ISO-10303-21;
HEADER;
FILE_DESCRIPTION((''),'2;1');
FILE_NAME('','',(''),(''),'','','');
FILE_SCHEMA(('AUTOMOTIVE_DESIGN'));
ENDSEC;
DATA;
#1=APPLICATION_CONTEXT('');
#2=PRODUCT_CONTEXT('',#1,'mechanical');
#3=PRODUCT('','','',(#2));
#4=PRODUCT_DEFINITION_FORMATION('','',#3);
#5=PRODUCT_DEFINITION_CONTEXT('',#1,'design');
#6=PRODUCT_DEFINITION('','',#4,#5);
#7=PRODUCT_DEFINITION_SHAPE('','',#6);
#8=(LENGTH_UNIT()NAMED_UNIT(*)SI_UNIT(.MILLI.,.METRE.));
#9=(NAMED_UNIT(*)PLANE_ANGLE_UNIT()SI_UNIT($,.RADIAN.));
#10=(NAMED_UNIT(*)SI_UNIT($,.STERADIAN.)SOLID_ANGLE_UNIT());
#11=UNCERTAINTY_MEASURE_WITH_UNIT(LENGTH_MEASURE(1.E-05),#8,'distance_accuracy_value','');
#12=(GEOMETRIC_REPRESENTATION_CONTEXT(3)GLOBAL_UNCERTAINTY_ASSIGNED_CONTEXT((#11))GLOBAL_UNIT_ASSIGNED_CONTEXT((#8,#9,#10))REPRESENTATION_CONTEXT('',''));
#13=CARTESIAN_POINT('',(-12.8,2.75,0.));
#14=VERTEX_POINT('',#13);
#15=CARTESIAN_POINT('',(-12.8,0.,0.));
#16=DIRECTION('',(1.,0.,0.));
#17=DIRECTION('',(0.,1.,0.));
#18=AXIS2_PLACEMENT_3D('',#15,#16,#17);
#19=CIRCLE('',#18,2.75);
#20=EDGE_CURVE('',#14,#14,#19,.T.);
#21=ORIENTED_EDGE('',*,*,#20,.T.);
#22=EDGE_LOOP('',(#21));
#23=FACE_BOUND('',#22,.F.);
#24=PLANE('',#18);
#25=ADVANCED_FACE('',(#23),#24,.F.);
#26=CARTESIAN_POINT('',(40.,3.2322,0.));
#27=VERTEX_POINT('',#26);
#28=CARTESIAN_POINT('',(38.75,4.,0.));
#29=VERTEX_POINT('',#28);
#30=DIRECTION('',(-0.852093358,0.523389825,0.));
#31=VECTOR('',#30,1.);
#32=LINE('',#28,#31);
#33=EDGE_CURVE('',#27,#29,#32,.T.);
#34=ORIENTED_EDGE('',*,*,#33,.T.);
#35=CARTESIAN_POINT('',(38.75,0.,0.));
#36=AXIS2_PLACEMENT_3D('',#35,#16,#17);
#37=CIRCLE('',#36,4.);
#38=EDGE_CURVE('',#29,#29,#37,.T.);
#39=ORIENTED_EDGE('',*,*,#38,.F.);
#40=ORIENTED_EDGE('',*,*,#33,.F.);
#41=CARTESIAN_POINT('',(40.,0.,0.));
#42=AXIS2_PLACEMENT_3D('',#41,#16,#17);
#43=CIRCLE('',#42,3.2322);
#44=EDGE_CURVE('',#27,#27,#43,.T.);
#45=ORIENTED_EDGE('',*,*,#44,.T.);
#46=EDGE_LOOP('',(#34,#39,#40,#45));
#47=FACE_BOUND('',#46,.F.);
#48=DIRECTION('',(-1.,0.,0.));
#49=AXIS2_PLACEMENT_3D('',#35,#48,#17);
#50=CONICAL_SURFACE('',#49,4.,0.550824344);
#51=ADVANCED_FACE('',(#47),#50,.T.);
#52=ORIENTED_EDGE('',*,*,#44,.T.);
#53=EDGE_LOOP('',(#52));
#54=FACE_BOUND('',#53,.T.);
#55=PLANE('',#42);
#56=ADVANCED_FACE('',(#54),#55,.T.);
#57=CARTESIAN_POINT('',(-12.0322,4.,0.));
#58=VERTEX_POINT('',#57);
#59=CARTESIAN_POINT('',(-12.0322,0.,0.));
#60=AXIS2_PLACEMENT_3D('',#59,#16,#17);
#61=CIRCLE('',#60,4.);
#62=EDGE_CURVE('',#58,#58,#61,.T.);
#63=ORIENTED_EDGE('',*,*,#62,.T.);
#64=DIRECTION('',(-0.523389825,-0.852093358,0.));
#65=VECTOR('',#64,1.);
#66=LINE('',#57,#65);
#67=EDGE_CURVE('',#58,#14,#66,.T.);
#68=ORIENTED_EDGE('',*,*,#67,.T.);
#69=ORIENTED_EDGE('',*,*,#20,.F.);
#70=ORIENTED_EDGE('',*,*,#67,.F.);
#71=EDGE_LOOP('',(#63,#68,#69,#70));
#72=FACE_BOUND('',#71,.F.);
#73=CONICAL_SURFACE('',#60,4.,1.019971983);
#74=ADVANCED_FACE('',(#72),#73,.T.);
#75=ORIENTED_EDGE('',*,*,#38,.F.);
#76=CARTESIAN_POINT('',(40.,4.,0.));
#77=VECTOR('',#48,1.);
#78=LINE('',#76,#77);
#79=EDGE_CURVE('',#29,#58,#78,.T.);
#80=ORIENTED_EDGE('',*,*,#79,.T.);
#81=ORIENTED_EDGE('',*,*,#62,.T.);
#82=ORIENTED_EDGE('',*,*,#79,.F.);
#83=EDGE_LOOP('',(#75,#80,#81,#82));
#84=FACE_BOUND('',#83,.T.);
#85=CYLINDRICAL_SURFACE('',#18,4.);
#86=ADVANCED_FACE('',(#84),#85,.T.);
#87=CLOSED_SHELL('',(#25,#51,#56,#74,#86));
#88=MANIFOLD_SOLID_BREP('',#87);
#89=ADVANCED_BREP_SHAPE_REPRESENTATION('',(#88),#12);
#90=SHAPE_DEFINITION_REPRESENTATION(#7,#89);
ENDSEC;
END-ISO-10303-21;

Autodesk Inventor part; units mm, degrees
ref_plane "YZ Plane" through (0, 0, 0) normal (1, 0, 0) x (0, 1, 0)
ref_plane "XZ Plane" through (0, 0, 0) normal (0, 1, 0) x (-1, 0, 0)
sketch "Skizze1" plane through (0, 0, 0) normal (0, 0, 1) x (1, 0, 0)
  line L0 (40, 4) -> (40, 0)
  line L1 (-12.8, 0) -> (40, 0)
  line L2 (-23.36, 0) -> (50.56, 0) projected
  line L3 (0, 4.8) -> (0, -0.8) projected
  line L4 (-12.8, 4) -> (-12.8, 0)
  line L5 (18, 4) -> (18, 0) construction
  line L6 (-23.36, 0) -> (50.56, 0) projected
  line L7 (-12.8, 4) -> (40, 4)
  dimension "d4" = 12.8
  dimension "d5" = 40
  dimension "d6" = 22
  dimension "d13" = 8
revolve "Körper" add sketch "Skizze1" angle 360 about axis through (-12.8, 0, 0) along (1, 0, 0)
thread "Gewinde1" size "M8x1.25" class "6g" standard "ISO Metric profile" length 12.8
thread "Gewinde2" size "M8x1.25" class "6g" standard "ISO Metric profile" length 22.7668
chamfer "Fase1" distance 0.7678 distance2 1.25 1 edges at (40, -4, 0) measured on face at (40, -0.0467, 2.2623)
chamfer "Fase2" distance 0.7678 distance2 1.25 1 edges at (-12.8, -4, 0) measured on face at (21.5667, 3.987, -0.3219)
ref_plane "Work Plane1" through (2.75, 0, 0) normal (0, -1, 0) x (1, 0, 0)
equation "\"d4\" = KOH"
equation "\"d5\" = NLG"
equation "\"d6\" = GEL"
equation "\"d13\" = GD"
equation "\"d1\" = KOH"
equation "\"d7\" = GEL + GAL"
equation "\"d10\" = -0.5 * SPD + 0.5 * GD"
equation "\"d12\" = -0.5 * SPD + 0.5 * GD"
equation "\"NLG\" = 40"
equation "\"GEL\" = 22"
equation "\"GAL\" = 0.61345 * PTC"
equation "\"SPD\" = 5.5"
equation "\"d0\" = GD"
equation "\"GUL\" = 0.61345 * PTC"
equation "\"KOH\" = 12.8"
equation "\"GD\" = 8"
equation "\"BDM\" = NND"
equation "\"GUL1\" = GUL"
equation "\"GAL1\" = GAL"
equation "\"d80\" = -GUL - GEL"
equation "\"d86\" = -KOH + GUL1"
equation "\"PTC\" = 1.25"
equation "\"THREADDIA\" = 8"
equation "\"TOA\" = 30deg"
equation "\"NND\" = 8"
equation "\"GD1\" = THREADDIA - 1.2269 * PTC"
properties part number "DIN 835 - M8 x 40" material "Stahl, weich"
